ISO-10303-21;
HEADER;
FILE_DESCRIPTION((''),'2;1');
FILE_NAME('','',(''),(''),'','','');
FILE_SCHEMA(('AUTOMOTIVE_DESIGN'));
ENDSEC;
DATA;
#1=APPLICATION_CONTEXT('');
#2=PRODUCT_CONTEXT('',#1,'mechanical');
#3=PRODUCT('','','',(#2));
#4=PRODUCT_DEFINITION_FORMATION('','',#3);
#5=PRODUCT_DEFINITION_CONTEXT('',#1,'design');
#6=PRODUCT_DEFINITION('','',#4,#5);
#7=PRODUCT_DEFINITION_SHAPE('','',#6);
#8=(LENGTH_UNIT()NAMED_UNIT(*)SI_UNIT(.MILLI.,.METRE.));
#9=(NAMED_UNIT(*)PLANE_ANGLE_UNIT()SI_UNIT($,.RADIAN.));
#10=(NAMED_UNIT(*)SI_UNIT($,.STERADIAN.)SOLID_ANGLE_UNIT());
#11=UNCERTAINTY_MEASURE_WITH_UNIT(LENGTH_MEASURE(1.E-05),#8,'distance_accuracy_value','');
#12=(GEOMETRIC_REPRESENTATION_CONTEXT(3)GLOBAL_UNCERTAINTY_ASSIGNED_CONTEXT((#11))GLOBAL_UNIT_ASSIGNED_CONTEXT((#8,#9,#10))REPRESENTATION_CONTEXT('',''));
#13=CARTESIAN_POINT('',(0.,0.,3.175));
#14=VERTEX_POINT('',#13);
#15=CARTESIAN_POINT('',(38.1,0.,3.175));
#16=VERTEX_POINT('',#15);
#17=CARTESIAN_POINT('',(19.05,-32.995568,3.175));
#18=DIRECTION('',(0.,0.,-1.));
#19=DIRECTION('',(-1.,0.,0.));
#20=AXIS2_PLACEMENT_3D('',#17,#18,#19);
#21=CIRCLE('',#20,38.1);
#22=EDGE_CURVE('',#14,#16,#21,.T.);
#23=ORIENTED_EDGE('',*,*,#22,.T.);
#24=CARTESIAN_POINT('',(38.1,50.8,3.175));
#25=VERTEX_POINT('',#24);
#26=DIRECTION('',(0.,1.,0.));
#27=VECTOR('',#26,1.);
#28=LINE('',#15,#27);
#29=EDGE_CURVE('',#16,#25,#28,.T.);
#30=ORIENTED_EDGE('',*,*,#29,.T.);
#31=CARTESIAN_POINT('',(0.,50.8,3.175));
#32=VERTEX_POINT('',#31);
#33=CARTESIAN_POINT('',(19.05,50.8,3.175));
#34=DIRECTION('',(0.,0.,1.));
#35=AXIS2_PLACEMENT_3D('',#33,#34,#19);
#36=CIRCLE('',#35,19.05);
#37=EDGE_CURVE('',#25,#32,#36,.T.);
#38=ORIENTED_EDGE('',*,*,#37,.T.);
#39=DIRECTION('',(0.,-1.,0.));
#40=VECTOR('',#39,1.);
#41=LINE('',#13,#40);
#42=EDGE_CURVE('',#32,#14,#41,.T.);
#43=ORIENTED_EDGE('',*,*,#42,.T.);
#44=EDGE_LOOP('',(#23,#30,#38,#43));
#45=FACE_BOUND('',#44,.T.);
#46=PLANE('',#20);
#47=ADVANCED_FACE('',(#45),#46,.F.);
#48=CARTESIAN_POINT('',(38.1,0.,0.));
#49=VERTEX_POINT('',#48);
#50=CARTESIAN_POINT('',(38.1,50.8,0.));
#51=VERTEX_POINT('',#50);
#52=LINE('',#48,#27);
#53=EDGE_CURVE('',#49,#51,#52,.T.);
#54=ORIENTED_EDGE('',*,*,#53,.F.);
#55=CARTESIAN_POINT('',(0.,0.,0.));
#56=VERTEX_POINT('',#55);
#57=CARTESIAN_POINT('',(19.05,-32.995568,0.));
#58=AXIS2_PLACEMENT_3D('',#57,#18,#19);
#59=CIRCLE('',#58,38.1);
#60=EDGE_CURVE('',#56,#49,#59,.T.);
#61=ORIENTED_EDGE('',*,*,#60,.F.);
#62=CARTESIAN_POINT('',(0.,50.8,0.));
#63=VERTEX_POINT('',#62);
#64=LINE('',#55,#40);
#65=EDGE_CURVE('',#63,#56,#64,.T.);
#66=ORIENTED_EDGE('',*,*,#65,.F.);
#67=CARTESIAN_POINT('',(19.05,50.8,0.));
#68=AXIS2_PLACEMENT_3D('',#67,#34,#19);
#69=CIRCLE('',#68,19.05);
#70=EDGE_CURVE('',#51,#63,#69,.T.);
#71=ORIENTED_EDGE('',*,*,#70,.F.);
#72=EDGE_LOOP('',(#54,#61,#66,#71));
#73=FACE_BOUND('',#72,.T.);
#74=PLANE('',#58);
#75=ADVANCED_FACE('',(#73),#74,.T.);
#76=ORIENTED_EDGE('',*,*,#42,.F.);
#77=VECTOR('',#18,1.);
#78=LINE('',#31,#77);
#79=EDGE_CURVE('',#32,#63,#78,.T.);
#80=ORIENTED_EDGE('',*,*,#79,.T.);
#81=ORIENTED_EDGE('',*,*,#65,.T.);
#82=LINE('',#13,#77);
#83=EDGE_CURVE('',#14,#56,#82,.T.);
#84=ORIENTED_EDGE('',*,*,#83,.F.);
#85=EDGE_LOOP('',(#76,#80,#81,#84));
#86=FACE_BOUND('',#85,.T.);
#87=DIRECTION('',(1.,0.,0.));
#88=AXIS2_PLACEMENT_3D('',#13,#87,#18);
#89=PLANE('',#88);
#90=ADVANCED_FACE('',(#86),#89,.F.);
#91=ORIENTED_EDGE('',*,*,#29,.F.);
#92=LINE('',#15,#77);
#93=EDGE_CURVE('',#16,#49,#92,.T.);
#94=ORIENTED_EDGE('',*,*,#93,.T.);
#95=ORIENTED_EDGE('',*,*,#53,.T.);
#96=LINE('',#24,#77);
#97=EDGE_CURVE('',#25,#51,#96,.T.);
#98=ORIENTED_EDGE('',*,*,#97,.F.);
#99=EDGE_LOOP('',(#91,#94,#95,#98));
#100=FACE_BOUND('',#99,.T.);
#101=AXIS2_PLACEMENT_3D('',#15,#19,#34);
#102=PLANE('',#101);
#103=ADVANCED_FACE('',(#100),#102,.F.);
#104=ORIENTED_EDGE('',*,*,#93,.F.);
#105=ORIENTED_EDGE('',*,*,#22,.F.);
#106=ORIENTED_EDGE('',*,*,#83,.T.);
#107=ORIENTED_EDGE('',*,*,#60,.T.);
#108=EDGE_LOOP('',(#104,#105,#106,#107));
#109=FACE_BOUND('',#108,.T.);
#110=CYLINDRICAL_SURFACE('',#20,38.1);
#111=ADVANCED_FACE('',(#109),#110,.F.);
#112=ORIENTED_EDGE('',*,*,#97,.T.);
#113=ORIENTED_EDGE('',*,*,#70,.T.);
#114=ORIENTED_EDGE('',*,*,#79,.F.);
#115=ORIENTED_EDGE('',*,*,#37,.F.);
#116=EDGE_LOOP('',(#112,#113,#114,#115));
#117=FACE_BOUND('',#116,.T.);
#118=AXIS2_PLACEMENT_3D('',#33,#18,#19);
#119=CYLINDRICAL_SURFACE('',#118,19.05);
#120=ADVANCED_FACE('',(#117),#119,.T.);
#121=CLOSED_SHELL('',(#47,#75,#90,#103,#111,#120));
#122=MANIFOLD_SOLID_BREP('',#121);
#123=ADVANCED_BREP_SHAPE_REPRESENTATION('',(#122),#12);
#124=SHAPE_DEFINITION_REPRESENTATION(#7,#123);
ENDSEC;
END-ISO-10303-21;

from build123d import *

# Parameters (mm, degrees)
BOSS_EXTRUDE1_DEPTH = 3.175


with BuildPart() as part:
    # Sketch1 → Boss-Extrude1 (new body)
    with BuildSketch(Plane.XY):
        with BuildLine():
            Line((0, 0), (0, 50.8))
            ThreePointArc((0, 50.8), (19.05, 69.85), (38.1, 50.8))
            Line((38.1, 50.8), (38.1, 0))
            ThreePointArc((38.1, 0), (19.05, 5.104432116), (0, 0))
        make_face()
    extrude(amount=BOSS_EXTRUDE1_DEPTH)


solid = part.part
